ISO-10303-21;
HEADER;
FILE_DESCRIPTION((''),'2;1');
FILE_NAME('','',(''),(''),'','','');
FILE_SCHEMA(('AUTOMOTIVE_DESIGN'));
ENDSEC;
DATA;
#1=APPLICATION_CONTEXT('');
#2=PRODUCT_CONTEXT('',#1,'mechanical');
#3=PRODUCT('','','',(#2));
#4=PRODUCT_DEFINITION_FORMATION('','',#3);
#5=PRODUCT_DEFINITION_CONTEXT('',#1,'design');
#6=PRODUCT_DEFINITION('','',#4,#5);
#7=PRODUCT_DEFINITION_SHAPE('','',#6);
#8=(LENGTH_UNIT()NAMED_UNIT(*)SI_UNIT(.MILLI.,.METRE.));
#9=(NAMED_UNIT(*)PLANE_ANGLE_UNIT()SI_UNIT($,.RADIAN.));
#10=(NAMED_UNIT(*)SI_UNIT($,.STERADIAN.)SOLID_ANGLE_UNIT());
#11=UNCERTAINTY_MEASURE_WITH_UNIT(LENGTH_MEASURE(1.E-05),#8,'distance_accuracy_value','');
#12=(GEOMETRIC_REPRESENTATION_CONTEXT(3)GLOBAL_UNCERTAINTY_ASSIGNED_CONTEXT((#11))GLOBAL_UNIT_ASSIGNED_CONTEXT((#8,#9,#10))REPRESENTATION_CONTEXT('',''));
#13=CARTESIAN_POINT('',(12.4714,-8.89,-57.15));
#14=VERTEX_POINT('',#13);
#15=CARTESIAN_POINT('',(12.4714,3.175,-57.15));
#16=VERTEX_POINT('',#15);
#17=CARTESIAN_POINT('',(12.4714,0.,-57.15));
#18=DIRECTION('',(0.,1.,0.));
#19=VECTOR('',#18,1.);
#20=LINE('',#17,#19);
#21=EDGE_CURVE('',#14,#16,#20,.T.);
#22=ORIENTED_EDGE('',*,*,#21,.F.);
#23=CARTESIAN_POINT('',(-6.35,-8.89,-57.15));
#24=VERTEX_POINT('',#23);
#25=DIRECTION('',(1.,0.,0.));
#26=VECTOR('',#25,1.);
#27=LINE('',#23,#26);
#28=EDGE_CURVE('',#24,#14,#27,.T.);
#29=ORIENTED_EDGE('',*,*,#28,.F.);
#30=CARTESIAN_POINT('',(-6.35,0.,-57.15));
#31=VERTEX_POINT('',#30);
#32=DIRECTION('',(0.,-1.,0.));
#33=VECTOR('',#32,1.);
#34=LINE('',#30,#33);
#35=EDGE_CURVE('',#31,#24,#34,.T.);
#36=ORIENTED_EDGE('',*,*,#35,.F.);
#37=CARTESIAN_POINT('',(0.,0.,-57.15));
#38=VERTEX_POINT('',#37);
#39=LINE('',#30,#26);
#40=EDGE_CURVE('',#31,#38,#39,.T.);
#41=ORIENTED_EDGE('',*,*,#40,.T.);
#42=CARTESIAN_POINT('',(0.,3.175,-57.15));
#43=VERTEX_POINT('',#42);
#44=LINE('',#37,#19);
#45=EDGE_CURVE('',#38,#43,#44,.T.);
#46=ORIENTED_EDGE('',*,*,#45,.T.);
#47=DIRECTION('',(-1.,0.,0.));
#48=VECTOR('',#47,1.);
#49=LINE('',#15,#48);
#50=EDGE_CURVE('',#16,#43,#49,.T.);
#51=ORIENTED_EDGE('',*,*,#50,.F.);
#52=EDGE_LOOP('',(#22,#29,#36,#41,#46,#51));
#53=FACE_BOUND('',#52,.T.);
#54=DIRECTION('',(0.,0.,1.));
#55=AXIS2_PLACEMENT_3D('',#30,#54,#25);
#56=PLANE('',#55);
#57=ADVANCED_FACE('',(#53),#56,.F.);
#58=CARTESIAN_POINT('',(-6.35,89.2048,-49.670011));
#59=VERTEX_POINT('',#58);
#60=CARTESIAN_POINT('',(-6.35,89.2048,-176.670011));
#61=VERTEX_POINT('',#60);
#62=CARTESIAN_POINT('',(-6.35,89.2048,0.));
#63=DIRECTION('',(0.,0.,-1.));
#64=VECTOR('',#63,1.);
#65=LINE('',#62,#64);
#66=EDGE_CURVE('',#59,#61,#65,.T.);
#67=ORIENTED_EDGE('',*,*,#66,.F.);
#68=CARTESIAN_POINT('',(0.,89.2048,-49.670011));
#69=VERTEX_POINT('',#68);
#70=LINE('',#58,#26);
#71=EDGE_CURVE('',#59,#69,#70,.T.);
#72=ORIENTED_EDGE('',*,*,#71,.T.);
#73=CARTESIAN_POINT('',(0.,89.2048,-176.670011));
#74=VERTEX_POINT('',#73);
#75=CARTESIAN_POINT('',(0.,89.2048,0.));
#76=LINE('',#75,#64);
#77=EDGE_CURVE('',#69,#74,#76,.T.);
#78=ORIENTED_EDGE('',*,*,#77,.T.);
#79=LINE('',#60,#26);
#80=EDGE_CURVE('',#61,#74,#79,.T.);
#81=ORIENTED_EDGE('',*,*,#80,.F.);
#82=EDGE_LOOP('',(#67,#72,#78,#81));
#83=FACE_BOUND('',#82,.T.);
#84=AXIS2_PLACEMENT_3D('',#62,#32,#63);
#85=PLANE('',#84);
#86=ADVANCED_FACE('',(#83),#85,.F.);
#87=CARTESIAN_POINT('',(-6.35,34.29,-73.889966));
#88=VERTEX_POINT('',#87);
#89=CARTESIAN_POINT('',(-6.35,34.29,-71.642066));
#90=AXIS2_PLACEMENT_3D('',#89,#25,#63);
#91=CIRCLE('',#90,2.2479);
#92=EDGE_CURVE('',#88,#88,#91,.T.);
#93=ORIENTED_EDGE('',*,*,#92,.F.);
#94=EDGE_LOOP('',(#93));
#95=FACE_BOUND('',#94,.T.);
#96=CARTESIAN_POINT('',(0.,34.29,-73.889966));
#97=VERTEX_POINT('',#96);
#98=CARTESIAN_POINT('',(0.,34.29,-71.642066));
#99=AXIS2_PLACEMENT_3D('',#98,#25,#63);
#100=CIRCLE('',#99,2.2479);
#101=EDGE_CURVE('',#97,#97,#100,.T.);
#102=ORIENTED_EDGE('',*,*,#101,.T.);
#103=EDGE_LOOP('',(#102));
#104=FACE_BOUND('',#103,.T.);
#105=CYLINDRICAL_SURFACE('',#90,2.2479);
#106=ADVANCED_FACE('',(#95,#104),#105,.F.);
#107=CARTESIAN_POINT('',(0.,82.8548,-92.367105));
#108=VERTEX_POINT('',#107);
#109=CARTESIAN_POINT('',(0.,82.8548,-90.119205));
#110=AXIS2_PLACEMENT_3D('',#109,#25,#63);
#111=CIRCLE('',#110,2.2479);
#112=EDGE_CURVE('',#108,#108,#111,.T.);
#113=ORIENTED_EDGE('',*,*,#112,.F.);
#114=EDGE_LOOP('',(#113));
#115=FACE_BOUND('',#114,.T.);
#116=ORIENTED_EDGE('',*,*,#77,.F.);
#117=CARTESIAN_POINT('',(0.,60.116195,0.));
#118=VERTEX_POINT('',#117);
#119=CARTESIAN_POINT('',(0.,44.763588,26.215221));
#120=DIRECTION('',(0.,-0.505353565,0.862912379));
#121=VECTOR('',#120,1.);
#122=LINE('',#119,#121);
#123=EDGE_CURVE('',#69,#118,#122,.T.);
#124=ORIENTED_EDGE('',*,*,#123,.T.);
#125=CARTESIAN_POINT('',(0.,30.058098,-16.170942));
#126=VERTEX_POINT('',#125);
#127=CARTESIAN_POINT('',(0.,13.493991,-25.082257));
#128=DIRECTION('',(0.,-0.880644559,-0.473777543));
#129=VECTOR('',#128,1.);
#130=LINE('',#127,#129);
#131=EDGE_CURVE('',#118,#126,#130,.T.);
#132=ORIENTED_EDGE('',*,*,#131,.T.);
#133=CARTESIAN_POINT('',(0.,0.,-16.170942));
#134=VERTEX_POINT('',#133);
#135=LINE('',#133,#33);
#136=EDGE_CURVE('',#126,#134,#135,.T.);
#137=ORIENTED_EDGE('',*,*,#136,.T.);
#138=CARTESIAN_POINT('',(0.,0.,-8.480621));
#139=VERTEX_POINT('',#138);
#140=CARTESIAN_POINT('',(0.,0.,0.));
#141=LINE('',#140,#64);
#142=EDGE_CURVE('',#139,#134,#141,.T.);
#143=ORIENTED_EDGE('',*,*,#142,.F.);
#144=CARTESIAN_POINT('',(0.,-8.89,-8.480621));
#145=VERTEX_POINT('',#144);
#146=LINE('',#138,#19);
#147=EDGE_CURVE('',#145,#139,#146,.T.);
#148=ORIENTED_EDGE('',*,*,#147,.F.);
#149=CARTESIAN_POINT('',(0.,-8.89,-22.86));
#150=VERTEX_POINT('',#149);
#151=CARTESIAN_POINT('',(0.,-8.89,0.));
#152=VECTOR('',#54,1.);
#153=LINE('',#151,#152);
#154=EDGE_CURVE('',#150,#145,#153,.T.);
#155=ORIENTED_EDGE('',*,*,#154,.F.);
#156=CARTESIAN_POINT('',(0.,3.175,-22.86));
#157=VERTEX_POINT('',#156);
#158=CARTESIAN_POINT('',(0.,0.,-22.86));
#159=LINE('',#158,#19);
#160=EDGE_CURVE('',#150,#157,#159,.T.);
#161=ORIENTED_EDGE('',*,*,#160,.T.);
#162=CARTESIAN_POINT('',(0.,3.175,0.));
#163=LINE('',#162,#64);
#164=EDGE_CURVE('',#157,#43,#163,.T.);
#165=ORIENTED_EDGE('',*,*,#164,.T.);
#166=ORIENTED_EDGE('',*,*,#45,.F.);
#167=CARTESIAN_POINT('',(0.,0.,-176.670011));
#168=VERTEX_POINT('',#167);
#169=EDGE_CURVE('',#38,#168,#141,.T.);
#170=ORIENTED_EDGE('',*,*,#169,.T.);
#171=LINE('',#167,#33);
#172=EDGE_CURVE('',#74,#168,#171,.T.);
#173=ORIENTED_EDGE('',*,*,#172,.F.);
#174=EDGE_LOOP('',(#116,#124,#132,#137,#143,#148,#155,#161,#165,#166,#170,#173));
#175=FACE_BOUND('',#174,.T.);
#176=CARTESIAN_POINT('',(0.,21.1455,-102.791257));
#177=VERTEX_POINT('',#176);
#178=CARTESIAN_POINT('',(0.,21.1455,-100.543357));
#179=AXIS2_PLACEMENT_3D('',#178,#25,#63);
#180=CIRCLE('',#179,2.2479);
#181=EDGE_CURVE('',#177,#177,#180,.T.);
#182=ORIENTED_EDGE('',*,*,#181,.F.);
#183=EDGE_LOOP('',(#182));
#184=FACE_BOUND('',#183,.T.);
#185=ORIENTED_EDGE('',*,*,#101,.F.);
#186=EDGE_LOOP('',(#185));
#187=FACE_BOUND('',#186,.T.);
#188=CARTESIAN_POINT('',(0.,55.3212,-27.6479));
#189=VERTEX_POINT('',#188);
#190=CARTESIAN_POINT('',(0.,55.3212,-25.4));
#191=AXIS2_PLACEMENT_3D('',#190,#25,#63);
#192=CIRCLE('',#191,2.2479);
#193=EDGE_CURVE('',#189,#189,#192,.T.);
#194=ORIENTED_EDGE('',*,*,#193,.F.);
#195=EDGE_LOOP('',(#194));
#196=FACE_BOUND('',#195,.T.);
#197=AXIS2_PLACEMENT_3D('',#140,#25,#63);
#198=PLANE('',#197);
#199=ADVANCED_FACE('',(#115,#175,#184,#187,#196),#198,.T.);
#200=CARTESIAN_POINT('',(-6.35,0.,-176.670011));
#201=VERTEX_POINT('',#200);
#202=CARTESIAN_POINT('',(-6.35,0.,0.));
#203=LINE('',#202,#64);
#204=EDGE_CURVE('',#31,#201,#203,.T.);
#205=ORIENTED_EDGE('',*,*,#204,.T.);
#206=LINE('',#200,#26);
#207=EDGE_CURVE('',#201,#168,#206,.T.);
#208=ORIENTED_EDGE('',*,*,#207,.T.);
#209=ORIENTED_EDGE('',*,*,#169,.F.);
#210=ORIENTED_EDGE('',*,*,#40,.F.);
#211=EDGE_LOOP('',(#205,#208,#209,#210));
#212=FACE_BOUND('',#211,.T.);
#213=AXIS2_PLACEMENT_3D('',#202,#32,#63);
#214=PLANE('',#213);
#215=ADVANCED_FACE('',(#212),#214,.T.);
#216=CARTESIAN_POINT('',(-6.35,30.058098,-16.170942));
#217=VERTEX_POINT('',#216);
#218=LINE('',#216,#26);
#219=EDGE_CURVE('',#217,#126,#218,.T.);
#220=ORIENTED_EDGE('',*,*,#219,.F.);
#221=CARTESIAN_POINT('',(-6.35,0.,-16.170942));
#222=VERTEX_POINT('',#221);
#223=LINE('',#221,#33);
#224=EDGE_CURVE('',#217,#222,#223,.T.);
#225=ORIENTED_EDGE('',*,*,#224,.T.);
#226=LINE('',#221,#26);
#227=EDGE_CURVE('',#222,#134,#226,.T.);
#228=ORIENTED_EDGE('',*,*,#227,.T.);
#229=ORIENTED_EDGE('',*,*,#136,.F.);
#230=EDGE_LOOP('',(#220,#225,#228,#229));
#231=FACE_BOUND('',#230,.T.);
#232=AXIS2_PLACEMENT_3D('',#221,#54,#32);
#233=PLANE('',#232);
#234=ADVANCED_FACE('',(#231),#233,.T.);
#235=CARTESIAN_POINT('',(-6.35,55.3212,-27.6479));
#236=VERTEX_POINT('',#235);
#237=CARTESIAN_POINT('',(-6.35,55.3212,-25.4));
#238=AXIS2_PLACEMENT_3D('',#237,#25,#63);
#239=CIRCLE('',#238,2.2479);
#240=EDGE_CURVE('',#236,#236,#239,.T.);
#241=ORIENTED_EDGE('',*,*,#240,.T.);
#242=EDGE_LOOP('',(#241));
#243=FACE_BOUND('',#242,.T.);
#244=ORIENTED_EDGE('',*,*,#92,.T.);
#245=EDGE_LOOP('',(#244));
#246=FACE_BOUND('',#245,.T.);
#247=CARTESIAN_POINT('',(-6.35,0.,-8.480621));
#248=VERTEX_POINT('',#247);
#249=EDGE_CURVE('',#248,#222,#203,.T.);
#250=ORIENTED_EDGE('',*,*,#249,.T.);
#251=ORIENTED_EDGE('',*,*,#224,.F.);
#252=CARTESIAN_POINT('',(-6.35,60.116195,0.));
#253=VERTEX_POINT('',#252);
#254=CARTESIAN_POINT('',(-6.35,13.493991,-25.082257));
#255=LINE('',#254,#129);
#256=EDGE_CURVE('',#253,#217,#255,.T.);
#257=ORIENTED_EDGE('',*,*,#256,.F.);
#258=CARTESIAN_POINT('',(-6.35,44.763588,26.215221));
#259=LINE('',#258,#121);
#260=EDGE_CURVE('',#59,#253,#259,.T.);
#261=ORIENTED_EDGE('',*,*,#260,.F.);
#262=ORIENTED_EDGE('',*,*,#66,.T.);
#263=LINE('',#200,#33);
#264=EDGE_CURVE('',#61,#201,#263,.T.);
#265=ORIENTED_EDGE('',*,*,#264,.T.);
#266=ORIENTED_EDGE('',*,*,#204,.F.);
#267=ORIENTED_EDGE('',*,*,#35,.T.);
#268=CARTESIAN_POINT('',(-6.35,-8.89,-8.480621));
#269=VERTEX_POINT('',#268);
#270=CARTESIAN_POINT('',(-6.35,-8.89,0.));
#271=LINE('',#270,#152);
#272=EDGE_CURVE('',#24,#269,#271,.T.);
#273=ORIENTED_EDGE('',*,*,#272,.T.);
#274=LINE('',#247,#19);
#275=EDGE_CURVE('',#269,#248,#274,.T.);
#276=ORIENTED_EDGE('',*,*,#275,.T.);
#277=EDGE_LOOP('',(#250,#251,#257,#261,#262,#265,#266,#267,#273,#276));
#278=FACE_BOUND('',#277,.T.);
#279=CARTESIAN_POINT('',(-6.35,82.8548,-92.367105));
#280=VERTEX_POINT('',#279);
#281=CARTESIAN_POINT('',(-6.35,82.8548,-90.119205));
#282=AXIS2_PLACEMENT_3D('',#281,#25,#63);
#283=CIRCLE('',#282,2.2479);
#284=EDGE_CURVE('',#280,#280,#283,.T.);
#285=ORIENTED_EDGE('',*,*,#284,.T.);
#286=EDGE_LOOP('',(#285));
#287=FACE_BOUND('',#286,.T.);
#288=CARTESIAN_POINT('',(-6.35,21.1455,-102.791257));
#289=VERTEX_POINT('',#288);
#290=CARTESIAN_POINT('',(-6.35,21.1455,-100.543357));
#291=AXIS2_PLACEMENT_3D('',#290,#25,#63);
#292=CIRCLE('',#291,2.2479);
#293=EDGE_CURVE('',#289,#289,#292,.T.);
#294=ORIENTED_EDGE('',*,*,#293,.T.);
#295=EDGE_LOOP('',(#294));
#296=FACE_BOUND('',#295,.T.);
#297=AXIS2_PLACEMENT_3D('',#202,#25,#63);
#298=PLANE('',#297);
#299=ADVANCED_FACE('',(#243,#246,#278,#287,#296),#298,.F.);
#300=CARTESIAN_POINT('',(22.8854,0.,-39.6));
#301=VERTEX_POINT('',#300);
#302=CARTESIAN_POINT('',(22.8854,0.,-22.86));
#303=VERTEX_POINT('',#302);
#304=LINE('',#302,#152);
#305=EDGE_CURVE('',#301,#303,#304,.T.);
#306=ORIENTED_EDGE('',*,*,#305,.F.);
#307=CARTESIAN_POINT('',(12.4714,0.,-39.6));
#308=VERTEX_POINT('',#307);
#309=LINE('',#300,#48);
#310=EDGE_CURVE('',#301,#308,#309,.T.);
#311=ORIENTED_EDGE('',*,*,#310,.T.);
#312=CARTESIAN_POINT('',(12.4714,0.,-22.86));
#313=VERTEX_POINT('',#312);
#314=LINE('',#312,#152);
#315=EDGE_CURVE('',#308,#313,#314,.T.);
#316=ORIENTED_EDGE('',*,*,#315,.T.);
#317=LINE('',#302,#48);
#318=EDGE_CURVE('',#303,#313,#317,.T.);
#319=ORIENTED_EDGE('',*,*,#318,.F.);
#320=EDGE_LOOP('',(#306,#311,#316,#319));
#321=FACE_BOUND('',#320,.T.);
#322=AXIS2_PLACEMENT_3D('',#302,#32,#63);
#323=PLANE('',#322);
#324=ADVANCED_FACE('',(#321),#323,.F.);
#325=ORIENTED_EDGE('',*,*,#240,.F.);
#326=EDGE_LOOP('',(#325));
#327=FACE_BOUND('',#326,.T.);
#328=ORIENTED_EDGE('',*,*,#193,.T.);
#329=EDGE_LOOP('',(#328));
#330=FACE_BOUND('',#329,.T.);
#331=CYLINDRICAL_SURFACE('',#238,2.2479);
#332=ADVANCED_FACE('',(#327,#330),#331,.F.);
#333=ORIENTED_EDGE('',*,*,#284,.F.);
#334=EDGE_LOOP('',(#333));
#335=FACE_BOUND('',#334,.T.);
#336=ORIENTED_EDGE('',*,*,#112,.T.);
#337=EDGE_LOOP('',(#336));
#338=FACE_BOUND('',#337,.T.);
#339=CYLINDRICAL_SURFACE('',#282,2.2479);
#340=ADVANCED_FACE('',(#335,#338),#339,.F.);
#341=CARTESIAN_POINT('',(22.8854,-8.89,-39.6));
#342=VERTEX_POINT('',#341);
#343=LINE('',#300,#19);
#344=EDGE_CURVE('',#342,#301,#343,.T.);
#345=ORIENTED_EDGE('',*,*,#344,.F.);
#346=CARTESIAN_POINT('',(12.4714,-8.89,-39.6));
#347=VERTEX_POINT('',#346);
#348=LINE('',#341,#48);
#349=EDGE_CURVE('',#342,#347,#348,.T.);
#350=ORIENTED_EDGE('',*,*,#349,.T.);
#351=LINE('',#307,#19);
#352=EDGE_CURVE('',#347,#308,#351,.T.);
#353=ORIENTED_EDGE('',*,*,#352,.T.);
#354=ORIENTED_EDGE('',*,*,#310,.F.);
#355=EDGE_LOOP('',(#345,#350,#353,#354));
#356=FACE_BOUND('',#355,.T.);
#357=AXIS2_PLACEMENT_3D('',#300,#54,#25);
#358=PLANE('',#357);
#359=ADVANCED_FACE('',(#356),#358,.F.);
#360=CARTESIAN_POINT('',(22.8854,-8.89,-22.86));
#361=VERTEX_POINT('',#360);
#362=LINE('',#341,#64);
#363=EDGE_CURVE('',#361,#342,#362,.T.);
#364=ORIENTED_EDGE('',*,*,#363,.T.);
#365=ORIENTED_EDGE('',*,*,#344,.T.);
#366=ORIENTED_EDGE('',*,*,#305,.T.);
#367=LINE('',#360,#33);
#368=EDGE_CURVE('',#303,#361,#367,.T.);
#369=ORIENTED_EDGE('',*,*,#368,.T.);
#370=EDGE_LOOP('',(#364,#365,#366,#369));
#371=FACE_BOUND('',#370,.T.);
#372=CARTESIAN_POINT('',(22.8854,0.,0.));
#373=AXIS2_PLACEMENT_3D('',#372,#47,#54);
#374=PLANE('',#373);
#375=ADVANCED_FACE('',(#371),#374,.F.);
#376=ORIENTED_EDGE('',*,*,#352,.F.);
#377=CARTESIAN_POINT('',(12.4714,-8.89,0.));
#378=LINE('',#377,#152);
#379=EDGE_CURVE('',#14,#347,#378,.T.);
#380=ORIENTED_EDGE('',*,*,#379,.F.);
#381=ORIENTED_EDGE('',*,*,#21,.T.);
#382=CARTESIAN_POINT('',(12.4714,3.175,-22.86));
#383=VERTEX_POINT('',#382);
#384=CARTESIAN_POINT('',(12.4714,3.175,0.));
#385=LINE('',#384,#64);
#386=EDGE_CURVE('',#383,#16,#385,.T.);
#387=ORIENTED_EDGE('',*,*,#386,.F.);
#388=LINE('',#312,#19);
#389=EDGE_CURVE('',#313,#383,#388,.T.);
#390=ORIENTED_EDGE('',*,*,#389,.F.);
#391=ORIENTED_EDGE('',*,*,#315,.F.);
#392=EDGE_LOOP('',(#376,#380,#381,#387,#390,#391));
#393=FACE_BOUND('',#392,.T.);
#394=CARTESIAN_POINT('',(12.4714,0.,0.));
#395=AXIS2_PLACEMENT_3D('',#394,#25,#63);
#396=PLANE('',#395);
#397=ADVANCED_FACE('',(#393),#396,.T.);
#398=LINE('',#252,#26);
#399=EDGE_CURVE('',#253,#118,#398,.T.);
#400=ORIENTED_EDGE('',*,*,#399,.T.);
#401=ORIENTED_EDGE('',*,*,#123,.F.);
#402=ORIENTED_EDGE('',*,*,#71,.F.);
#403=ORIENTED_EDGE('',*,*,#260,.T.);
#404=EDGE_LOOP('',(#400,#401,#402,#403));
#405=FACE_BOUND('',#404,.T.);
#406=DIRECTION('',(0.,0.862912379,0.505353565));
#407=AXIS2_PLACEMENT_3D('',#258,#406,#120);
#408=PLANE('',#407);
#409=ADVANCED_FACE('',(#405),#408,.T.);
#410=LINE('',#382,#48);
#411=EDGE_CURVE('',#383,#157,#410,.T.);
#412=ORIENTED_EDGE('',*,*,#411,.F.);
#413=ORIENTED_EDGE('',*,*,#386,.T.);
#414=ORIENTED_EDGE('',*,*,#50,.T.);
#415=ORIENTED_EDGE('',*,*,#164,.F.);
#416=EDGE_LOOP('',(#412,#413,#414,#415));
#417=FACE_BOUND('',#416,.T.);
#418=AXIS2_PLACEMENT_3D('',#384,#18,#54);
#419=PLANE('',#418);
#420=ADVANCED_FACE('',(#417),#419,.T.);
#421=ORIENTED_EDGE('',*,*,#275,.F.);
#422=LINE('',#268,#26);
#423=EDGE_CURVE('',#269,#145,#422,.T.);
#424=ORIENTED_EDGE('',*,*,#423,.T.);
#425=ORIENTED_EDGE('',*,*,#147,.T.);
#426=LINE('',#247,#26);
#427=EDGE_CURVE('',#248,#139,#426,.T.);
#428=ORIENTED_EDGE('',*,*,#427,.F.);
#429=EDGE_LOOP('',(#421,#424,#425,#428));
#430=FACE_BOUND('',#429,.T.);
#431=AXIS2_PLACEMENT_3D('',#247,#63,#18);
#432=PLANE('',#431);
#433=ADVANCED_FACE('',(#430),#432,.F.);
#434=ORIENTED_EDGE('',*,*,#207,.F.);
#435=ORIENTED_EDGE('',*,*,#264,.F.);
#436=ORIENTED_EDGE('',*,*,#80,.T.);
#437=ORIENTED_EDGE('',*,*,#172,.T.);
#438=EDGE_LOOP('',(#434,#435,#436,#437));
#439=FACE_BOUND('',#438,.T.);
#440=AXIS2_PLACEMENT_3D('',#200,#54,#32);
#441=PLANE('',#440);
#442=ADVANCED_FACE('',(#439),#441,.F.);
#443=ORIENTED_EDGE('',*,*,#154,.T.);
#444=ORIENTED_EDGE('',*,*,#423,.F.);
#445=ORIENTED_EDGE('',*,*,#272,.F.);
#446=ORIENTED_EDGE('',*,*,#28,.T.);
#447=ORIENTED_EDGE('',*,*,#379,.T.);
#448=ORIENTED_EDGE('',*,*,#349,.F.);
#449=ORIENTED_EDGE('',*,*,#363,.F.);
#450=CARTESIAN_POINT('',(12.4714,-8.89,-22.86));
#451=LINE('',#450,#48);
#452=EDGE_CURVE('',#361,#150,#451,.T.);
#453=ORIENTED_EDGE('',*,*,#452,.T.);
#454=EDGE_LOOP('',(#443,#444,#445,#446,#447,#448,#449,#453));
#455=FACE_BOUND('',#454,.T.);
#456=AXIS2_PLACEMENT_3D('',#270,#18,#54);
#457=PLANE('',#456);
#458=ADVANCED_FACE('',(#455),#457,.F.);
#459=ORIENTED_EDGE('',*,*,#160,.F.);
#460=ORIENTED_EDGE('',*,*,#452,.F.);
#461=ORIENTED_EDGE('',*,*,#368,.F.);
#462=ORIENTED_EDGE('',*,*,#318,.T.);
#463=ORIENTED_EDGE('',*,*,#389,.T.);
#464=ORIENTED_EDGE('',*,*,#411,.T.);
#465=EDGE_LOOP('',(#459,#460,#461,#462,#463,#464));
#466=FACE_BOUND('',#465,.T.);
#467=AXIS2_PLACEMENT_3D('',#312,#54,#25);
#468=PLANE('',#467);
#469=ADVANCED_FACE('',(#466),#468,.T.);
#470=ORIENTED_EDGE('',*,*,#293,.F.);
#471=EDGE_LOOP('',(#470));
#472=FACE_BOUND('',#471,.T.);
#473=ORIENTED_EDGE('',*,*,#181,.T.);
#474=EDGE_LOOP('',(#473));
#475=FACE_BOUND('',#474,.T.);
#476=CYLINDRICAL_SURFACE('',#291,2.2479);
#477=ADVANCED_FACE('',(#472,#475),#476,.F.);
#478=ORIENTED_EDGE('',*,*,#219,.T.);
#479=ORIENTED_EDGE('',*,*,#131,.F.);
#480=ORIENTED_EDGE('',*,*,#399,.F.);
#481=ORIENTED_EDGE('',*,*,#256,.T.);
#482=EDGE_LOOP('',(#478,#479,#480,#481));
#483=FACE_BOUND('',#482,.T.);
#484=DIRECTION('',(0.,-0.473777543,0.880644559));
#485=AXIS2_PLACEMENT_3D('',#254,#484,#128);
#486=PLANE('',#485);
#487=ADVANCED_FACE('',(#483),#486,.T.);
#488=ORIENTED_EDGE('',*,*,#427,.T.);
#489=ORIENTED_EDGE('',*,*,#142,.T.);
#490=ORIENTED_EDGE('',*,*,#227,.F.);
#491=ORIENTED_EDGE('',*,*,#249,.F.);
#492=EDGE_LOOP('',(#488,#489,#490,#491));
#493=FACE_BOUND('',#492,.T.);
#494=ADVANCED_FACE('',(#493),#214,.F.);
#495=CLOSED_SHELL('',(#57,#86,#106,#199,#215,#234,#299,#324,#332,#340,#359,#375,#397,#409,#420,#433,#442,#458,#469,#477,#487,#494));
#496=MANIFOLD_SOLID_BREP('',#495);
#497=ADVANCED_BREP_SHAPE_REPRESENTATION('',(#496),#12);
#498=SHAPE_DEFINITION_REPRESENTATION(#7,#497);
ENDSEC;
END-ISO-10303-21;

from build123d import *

# Parameters (mm, degrees)
SKETCH2_R           = 2.2479
BOSS_EXTRUDE3_DEPTH = 6.35
SKETCH2_5_W         = 34.29
SKETCH2_5_H         = 12.065
BOSS_EXTRUDE4_DEPTH = 12.4714
SKETCH3_W           = 16.74
SKETCH3_H           = 8.89
BOSS_EXTRUDE5_DEPTH = 10.414


with BuildPart() as part:
    # Sketch2 → Boss-Extrude3 (new body)
    with BuildSketch(Plane(origin=(0, 0, 0), x_dir=(0, 0, -1), z_dir=(1, 0, 0))):
        Polygon((16.17094154, 0), (8.480621378, 0), (8.480621378, -8.89), (57.15, -8.89), (57.15, 0), (176.670010733, 0), (176.670010733, 89.2048), (49.670010733, 89.2048), (0, 60.116195388), (16.17094154, 30.058097694), align=None)
        with Locations((90.119204984, 82.8548)):
            Circle(SKETCH2_R, mode=Mode.SUBTRACT)
        with Locations((71.642065552, 34.29)):
            Circle(SKETCH2_R, mode=Mode.SUBTRACT)
        with Locations((100.543356523, 21.1455)):
            Circle(SKETCH2_R, mode=Mode.SUBTRACT)
        with Locations((25.4, 55.3212)):
            Circle(SKETCH2_R, mode=Mode.SUBTRACT)
    extrude(amount=-BOSS_EXTRUDE3_DEPTH)

    # Sketch2<5> → Boss-Extrude4 (add)
    with BuildSketch(Plane(origin=(0, 0, 0), x_dir=(0, 0, -1), z_dir=(1, 0, 0))):
        with Locations((40.005, -2.8575)):
            Rectangle(SKETCH2_5_W, SKETCH2_5_H)
    extrude(amount=BOSS_EXTRUDE4_DEPTH)

    # Sketch3 → Boss-Extrude5 (add)
    with BuildSketch(Plane(origin=(12.4714, 0, 0), x_dir=(0, 0, -1), z_dir=(1, 0, 0))):
        with Locations((31.23, -4.445)):
            Rectangle(SKETCH3_W, SKETCH3_H)
    extrude(amount=BOSS_EXTRUDE5_DEPTH)


solid = part.part
